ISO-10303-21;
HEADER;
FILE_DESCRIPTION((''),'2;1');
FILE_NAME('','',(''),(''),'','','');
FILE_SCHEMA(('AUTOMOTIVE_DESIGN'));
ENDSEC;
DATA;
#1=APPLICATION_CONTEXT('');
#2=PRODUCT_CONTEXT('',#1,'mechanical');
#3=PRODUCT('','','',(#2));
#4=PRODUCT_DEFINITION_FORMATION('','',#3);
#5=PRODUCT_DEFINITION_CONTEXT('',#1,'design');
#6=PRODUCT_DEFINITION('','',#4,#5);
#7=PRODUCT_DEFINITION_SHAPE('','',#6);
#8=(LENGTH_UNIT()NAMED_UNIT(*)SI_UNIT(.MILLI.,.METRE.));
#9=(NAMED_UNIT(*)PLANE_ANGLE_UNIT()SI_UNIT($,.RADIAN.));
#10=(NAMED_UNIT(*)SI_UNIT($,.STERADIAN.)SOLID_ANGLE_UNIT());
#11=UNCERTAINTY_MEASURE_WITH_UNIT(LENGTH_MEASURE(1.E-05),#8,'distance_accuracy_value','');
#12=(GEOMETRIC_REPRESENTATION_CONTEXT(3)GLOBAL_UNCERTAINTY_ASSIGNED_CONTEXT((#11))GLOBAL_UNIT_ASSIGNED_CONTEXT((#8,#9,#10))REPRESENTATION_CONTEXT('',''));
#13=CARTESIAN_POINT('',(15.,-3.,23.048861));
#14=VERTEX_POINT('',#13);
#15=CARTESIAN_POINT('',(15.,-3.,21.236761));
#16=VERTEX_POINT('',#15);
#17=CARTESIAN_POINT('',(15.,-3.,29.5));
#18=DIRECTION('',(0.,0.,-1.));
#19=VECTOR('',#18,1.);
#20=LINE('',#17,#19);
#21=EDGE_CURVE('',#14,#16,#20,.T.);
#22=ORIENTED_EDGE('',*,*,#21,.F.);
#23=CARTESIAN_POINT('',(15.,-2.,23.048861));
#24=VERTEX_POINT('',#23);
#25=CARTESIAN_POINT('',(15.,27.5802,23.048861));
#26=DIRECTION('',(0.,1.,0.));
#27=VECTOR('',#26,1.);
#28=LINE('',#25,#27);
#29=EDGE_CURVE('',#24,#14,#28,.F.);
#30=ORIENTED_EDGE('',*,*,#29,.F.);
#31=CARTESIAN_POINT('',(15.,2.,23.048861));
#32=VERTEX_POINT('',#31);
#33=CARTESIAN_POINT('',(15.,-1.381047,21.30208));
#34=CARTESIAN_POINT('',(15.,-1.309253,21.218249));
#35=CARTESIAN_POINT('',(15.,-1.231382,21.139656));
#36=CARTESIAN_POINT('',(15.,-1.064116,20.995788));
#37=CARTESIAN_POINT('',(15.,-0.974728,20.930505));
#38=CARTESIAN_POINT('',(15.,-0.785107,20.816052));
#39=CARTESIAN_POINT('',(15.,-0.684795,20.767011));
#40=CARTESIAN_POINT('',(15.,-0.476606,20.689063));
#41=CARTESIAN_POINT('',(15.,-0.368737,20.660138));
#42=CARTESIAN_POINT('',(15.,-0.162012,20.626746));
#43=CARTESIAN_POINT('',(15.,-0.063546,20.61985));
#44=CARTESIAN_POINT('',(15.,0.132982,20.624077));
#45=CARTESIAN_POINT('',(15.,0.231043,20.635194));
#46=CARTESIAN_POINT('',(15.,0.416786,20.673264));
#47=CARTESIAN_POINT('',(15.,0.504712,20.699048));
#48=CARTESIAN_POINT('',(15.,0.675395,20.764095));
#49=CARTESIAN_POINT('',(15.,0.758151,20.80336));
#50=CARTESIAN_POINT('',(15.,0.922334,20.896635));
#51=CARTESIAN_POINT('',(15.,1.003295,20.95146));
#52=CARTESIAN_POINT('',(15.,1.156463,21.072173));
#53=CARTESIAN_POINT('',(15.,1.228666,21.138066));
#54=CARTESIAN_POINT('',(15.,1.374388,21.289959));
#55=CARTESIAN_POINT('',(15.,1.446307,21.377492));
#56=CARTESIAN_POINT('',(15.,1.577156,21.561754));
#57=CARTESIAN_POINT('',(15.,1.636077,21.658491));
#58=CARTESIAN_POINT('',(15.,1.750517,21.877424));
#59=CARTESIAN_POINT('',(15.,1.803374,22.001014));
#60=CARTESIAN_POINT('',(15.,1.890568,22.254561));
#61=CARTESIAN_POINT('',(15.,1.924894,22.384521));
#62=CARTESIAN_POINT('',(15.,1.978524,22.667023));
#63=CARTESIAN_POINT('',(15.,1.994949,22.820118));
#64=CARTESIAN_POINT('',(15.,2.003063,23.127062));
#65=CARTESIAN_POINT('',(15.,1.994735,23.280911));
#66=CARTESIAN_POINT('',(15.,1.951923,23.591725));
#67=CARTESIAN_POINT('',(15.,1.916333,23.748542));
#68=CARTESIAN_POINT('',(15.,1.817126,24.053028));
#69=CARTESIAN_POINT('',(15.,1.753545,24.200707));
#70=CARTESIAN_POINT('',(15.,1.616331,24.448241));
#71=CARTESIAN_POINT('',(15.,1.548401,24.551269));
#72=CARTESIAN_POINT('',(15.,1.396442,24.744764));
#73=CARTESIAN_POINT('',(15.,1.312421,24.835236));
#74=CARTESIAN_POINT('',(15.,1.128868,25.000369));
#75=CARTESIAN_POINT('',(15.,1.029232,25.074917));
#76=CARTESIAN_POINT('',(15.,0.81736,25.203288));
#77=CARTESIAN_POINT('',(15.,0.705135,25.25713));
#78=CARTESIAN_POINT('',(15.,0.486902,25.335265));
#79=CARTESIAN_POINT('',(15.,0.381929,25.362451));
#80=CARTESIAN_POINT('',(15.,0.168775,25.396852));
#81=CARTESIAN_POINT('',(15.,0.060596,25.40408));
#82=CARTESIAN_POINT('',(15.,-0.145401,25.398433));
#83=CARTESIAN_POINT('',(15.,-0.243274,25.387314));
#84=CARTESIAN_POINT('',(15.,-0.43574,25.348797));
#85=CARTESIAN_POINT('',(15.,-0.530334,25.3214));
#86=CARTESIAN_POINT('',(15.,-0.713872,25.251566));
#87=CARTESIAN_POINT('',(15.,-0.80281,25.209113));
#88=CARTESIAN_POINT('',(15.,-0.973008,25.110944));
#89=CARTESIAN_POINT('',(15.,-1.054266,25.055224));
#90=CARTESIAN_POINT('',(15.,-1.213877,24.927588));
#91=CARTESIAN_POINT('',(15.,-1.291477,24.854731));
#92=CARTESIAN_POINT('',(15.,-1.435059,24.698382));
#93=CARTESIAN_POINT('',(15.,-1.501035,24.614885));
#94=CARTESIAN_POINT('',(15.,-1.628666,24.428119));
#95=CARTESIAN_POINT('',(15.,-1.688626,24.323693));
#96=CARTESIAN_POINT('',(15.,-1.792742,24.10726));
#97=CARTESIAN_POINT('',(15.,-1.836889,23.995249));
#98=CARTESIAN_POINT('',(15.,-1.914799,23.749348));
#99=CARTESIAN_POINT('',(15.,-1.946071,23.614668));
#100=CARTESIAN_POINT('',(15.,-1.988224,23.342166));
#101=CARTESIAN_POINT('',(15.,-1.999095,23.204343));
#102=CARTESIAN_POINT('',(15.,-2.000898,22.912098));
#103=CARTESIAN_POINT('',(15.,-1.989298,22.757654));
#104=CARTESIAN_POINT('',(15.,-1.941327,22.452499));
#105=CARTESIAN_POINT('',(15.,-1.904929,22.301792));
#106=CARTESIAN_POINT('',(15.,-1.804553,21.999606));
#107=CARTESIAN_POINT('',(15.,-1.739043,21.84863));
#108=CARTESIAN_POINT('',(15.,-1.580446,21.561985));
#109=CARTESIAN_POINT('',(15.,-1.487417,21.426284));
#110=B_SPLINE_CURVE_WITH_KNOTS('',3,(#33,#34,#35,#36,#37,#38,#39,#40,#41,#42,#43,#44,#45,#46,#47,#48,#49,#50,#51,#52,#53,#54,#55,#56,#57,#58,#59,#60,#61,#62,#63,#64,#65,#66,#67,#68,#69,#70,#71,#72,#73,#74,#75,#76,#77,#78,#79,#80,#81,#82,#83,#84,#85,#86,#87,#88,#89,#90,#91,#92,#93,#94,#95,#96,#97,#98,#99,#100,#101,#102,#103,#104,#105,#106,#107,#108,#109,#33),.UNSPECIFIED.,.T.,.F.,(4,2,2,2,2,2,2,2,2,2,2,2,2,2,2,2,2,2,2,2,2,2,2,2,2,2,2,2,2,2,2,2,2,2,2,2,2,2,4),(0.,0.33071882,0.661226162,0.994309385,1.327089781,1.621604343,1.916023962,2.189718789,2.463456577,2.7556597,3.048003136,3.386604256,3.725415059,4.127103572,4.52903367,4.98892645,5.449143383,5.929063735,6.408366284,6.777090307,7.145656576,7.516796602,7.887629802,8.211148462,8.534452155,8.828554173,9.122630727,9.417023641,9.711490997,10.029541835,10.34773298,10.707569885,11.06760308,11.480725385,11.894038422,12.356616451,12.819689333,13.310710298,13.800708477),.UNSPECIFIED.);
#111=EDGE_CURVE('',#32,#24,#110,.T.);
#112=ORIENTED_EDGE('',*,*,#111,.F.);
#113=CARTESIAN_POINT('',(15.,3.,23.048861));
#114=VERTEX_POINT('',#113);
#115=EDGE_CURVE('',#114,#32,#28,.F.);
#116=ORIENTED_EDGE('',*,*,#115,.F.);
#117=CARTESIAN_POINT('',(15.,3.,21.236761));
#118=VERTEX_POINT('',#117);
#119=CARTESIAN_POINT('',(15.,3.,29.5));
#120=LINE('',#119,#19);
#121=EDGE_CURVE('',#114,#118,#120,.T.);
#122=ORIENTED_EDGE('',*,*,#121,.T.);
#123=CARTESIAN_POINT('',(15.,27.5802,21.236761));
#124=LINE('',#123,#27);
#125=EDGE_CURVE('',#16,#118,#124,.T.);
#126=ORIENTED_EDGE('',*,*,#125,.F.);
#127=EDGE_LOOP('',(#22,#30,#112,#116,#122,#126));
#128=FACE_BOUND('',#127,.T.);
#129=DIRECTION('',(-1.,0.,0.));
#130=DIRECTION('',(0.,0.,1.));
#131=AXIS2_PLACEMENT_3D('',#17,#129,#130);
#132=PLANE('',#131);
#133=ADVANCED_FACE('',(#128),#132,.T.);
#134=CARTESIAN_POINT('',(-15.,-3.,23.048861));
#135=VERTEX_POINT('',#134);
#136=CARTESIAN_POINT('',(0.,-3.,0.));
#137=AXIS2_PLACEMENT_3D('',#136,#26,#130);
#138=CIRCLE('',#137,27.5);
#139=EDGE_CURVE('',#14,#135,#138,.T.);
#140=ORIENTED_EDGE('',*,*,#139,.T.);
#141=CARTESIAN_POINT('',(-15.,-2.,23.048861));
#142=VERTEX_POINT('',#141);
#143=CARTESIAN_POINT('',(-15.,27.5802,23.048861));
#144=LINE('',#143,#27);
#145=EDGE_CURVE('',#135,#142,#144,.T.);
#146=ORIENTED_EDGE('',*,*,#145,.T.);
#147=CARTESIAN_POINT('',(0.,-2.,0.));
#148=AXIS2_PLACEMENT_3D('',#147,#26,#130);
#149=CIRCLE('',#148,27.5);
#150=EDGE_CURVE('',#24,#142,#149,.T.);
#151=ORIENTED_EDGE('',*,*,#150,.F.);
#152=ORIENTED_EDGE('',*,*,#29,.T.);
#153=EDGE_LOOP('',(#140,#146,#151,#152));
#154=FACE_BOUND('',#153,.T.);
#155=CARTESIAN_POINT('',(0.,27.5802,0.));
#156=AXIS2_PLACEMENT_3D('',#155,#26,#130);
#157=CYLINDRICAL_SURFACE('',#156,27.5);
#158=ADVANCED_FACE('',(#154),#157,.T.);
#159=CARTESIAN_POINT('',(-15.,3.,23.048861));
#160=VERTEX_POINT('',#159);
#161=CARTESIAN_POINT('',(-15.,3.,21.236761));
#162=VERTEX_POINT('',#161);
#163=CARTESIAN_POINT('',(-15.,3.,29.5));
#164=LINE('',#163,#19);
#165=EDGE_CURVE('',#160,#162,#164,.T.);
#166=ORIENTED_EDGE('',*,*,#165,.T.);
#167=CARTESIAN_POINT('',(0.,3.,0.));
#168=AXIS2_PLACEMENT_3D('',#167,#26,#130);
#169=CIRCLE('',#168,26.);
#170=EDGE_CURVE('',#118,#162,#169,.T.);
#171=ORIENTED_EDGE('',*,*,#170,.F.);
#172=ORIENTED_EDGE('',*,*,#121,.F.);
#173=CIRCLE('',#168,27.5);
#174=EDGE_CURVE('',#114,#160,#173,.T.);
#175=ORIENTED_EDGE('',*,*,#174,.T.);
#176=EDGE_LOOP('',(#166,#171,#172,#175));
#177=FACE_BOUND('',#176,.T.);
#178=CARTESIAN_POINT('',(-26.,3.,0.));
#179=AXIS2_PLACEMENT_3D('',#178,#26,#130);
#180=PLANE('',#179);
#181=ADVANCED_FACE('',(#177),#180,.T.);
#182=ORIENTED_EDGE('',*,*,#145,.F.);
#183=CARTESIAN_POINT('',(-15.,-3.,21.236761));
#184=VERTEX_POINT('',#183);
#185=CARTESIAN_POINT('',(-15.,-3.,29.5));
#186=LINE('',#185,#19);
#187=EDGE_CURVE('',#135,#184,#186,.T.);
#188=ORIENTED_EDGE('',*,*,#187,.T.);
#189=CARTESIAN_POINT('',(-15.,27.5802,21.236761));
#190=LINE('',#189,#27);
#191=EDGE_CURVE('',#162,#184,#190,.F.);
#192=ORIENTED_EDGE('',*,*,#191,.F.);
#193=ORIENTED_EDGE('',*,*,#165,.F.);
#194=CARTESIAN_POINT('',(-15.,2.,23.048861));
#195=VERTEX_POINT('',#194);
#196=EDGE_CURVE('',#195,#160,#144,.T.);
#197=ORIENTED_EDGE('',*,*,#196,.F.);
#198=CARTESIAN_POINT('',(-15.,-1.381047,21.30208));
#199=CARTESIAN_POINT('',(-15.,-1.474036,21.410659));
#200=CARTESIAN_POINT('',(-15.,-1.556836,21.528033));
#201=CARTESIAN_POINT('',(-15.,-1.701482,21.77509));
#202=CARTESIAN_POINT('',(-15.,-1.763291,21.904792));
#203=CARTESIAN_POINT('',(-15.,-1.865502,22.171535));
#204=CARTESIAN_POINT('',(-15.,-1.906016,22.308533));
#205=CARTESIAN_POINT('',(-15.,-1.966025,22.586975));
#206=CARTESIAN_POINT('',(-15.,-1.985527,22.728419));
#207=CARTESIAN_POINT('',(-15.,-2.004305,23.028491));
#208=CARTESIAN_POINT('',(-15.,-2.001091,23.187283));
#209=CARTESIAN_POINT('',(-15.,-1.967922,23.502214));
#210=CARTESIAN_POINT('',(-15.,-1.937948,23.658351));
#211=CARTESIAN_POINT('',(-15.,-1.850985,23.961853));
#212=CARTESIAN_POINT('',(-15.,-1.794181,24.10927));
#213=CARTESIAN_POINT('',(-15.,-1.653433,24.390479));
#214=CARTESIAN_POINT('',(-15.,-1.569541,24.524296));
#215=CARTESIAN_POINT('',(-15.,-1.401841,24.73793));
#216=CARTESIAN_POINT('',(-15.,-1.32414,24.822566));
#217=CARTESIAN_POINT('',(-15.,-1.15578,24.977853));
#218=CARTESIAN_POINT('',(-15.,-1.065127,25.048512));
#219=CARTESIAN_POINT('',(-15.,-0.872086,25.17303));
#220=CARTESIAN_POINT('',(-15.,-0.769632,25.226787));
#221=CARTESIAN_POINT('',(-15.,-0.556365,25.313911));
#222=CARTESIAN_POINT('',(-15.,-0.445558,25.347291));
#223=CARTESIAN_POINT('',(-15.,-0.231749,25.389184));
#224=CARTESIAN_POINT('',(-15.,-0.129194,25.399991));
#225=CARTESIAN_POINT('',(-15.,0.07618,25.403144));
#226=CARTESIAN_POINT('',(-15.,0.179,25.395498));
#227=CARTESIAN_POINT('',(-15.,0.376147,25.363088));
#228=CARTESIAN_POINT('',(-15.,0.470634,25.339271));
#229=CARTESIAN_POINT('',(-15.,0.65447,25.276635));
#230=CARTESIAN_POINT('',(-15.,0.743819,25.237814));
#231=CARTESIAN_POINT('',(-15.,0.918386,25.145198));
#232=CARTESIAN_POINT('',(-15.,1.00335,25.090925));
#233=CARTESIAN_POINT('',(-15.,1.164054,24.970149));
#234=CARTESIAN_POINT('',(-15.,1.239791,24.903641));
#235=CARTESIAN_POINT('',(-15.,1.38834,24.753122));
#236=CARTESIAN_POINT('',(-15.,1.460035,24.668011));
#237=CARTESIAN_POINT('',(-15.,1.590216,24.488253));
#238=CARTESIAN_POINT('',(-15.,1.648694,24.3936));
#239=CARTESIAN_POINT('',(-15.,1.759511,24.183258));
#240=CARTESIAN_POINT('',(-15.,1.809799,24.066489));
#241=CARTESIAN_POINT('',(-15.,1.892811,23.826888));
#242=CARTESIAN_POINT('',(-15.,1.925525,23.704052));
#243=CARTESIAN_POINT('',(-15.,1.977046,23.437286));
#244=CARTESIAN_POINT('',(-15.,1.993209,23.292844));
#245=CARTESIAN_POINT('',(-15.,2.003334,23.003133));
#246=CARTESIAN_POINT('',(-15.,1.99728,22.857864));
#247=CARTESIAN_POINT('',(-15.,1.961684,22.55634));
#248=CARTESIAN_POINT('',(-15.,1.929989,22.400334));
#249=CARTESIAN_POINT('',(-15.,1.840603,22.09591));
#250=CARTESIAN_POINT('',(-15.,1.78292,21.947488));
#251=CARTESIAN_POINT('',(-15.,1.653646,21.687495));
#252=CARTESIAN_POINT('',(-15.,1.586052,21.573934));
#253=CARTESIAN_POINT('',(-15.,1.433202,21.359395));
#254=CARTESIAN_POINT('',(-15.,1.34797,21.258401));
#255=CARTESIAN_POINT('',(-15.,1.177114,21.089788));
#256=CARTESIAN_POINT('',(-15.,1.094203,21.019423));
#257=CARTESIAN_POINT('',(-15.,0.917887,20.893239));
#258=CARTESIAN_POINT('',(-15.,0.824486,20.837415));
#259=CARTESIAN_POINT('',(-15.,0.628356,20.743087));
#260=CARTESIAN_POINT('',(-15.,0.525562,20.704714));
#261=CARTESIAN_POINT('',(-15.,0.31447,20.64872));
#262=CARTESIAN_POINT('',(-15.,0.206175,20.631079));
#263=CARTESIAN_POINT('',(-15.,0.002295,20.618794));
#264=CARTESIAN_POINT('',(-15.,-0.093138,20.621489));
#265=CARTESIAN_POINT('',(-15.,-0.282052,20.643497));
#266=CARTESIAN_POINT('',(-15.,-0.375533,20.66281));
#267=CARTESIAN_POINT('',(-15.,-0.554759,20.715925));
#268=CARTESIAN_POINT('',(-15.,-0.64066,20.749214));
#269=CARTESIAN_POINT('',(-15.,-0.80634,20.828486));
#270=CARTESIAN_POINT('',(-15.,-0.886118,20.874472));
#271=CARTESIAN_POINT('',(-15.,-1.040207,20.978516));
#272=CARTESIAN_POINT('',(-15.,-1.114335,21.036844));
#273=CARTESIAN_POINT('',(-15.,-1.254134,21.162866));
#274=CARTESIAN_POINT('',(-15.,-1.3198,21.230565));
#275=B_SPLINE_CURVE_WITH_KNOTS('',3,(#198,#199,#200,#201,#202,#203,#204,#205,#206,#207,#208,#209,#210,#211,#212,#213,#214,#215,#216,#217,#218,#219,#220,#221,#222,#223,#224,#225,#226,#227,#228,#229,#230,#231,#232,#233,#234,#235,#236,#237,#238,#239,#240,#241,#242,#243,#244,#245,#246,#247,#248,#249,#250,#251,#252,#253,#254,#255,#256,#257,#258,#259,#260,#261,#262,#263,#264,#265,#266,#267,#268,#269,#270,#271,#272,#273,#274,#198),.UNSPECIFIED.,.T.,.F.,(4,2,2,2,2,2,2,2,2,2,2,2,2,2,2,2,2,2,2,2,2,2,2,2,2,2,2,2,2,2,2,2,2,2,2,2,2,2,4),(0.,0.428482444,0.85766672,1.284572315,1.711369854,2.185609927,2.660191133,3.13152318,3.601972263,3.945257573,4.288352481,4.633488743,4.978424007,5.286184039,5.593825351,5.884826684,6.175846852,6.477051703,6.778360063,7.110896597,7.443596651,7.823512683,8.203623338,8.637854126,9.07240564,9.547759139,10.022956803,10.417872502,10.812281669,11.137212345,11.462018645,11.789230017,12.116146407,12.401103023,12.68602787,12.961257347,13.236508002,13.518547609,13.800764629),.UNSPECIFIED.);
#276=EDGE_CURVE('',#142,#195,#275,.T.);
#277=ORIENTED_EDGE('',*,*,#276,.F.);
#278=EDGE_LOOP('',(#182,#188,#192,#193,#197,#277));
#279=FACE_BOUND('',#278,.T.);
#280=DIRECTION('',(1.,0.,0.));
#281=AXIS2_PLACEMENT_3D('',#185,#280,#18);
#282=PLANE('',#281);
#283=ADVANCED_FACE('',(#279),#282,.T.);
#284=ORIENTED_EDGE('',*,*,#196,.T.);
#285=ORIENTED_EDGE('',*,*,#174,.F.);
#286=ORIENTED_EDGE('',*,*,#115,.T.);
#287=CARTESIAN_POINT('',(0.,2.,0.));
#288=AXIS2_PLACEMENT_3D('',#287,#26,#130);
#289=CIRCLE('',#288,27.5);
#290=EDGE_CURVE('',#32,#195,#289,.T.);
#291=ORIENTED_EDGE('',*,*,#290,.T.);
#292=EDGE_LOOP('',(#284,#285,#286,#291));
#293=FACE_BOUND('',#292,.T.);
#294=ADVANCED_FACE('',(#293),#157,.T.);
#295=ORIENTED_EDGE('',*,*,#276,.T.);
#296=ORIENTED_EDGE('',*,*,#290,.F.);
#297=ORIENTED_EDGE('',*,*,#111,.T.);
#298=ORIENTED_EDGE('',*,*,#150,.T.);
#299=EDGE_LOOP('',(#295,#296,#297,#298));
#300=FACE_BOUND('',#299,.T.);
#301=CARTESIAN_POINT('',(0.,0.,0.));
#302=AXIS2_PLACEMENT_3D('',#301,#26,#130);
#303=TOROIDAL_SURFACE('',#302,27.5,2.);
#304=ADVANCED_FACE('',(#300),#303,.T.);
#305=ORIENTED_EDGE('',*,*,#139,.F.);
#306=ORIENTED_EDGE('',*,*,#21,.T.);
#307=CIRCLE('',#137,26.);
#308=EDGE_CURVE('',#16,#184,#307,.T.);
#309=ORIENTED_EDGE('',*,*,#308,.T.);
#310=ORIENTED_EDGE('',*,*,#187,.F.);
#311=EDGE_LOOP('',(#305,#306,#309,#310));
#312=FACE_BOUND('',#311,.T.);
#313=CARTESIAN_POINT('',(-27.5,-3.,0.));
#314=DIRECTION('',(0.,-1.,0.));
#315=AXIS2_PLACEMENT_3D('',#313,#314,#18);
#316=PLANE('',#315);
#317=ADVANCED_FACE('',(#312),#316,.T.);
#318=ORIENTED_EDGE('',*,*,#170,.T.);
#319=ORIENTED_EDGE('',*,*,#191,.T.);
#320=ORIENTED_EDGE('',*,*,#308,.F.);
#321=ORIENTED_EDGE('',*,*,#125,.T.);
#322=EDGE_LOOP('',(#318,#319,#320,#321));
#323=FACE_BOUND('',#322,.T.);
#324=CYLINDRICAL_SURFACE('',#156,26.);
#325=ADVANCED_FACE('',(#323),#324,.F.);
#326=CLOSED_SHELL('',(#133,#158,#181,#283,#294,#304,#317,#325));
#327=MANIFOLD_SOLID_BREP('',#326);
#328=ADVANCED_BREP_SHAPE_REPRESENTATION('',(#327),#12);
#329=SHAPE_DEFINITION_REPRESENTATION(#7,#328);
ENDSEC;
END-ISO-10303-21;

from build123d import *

# Parameters (mm, degrees)
SKETCH3_W          = 30
SKETCH3_H          = 6
CUT_EXTRUDE1_DEPTH = 42.827024898


with BuildPart() as part:
    # Sketch1 → Revolve1 (revolve)
    with BuildSketch(Plane.XY, mode=Mode.PRIVATE) as revolve1_sk:
        with BuildLine():
            Line((-26, -3), (-26, 3))
            Line((-26, 3), (-27.5, 3))
            Line((-27.5, 3), (-27.5, 2))
            ThreePointArc((-27.5, 2), (-29.5, 0), (-27.5, -2))
            Line((-27.5, -2), (-27.5, -3))
            Line((-27.5, -3), (-26, -3))
        make_face()
    revolve(revolve1_sk.sketch.rotate(Axis((0, 27.580200319, 0), (0, -1, 0)), 270), axis=Axis((0, 27.580200319, 0), (0, -1, 0)))

    # Sketch3 → Cut-Extrude1 (cut, through all)
    with BuildSketch(Plane.XY):
        Rectangle(SKETCH3_W, SKETCH3_H)
    extrude(amount=CUT_EXTRUDE1_DEPTH, mode=Mode.SUBTRACT)


solid = part.part
